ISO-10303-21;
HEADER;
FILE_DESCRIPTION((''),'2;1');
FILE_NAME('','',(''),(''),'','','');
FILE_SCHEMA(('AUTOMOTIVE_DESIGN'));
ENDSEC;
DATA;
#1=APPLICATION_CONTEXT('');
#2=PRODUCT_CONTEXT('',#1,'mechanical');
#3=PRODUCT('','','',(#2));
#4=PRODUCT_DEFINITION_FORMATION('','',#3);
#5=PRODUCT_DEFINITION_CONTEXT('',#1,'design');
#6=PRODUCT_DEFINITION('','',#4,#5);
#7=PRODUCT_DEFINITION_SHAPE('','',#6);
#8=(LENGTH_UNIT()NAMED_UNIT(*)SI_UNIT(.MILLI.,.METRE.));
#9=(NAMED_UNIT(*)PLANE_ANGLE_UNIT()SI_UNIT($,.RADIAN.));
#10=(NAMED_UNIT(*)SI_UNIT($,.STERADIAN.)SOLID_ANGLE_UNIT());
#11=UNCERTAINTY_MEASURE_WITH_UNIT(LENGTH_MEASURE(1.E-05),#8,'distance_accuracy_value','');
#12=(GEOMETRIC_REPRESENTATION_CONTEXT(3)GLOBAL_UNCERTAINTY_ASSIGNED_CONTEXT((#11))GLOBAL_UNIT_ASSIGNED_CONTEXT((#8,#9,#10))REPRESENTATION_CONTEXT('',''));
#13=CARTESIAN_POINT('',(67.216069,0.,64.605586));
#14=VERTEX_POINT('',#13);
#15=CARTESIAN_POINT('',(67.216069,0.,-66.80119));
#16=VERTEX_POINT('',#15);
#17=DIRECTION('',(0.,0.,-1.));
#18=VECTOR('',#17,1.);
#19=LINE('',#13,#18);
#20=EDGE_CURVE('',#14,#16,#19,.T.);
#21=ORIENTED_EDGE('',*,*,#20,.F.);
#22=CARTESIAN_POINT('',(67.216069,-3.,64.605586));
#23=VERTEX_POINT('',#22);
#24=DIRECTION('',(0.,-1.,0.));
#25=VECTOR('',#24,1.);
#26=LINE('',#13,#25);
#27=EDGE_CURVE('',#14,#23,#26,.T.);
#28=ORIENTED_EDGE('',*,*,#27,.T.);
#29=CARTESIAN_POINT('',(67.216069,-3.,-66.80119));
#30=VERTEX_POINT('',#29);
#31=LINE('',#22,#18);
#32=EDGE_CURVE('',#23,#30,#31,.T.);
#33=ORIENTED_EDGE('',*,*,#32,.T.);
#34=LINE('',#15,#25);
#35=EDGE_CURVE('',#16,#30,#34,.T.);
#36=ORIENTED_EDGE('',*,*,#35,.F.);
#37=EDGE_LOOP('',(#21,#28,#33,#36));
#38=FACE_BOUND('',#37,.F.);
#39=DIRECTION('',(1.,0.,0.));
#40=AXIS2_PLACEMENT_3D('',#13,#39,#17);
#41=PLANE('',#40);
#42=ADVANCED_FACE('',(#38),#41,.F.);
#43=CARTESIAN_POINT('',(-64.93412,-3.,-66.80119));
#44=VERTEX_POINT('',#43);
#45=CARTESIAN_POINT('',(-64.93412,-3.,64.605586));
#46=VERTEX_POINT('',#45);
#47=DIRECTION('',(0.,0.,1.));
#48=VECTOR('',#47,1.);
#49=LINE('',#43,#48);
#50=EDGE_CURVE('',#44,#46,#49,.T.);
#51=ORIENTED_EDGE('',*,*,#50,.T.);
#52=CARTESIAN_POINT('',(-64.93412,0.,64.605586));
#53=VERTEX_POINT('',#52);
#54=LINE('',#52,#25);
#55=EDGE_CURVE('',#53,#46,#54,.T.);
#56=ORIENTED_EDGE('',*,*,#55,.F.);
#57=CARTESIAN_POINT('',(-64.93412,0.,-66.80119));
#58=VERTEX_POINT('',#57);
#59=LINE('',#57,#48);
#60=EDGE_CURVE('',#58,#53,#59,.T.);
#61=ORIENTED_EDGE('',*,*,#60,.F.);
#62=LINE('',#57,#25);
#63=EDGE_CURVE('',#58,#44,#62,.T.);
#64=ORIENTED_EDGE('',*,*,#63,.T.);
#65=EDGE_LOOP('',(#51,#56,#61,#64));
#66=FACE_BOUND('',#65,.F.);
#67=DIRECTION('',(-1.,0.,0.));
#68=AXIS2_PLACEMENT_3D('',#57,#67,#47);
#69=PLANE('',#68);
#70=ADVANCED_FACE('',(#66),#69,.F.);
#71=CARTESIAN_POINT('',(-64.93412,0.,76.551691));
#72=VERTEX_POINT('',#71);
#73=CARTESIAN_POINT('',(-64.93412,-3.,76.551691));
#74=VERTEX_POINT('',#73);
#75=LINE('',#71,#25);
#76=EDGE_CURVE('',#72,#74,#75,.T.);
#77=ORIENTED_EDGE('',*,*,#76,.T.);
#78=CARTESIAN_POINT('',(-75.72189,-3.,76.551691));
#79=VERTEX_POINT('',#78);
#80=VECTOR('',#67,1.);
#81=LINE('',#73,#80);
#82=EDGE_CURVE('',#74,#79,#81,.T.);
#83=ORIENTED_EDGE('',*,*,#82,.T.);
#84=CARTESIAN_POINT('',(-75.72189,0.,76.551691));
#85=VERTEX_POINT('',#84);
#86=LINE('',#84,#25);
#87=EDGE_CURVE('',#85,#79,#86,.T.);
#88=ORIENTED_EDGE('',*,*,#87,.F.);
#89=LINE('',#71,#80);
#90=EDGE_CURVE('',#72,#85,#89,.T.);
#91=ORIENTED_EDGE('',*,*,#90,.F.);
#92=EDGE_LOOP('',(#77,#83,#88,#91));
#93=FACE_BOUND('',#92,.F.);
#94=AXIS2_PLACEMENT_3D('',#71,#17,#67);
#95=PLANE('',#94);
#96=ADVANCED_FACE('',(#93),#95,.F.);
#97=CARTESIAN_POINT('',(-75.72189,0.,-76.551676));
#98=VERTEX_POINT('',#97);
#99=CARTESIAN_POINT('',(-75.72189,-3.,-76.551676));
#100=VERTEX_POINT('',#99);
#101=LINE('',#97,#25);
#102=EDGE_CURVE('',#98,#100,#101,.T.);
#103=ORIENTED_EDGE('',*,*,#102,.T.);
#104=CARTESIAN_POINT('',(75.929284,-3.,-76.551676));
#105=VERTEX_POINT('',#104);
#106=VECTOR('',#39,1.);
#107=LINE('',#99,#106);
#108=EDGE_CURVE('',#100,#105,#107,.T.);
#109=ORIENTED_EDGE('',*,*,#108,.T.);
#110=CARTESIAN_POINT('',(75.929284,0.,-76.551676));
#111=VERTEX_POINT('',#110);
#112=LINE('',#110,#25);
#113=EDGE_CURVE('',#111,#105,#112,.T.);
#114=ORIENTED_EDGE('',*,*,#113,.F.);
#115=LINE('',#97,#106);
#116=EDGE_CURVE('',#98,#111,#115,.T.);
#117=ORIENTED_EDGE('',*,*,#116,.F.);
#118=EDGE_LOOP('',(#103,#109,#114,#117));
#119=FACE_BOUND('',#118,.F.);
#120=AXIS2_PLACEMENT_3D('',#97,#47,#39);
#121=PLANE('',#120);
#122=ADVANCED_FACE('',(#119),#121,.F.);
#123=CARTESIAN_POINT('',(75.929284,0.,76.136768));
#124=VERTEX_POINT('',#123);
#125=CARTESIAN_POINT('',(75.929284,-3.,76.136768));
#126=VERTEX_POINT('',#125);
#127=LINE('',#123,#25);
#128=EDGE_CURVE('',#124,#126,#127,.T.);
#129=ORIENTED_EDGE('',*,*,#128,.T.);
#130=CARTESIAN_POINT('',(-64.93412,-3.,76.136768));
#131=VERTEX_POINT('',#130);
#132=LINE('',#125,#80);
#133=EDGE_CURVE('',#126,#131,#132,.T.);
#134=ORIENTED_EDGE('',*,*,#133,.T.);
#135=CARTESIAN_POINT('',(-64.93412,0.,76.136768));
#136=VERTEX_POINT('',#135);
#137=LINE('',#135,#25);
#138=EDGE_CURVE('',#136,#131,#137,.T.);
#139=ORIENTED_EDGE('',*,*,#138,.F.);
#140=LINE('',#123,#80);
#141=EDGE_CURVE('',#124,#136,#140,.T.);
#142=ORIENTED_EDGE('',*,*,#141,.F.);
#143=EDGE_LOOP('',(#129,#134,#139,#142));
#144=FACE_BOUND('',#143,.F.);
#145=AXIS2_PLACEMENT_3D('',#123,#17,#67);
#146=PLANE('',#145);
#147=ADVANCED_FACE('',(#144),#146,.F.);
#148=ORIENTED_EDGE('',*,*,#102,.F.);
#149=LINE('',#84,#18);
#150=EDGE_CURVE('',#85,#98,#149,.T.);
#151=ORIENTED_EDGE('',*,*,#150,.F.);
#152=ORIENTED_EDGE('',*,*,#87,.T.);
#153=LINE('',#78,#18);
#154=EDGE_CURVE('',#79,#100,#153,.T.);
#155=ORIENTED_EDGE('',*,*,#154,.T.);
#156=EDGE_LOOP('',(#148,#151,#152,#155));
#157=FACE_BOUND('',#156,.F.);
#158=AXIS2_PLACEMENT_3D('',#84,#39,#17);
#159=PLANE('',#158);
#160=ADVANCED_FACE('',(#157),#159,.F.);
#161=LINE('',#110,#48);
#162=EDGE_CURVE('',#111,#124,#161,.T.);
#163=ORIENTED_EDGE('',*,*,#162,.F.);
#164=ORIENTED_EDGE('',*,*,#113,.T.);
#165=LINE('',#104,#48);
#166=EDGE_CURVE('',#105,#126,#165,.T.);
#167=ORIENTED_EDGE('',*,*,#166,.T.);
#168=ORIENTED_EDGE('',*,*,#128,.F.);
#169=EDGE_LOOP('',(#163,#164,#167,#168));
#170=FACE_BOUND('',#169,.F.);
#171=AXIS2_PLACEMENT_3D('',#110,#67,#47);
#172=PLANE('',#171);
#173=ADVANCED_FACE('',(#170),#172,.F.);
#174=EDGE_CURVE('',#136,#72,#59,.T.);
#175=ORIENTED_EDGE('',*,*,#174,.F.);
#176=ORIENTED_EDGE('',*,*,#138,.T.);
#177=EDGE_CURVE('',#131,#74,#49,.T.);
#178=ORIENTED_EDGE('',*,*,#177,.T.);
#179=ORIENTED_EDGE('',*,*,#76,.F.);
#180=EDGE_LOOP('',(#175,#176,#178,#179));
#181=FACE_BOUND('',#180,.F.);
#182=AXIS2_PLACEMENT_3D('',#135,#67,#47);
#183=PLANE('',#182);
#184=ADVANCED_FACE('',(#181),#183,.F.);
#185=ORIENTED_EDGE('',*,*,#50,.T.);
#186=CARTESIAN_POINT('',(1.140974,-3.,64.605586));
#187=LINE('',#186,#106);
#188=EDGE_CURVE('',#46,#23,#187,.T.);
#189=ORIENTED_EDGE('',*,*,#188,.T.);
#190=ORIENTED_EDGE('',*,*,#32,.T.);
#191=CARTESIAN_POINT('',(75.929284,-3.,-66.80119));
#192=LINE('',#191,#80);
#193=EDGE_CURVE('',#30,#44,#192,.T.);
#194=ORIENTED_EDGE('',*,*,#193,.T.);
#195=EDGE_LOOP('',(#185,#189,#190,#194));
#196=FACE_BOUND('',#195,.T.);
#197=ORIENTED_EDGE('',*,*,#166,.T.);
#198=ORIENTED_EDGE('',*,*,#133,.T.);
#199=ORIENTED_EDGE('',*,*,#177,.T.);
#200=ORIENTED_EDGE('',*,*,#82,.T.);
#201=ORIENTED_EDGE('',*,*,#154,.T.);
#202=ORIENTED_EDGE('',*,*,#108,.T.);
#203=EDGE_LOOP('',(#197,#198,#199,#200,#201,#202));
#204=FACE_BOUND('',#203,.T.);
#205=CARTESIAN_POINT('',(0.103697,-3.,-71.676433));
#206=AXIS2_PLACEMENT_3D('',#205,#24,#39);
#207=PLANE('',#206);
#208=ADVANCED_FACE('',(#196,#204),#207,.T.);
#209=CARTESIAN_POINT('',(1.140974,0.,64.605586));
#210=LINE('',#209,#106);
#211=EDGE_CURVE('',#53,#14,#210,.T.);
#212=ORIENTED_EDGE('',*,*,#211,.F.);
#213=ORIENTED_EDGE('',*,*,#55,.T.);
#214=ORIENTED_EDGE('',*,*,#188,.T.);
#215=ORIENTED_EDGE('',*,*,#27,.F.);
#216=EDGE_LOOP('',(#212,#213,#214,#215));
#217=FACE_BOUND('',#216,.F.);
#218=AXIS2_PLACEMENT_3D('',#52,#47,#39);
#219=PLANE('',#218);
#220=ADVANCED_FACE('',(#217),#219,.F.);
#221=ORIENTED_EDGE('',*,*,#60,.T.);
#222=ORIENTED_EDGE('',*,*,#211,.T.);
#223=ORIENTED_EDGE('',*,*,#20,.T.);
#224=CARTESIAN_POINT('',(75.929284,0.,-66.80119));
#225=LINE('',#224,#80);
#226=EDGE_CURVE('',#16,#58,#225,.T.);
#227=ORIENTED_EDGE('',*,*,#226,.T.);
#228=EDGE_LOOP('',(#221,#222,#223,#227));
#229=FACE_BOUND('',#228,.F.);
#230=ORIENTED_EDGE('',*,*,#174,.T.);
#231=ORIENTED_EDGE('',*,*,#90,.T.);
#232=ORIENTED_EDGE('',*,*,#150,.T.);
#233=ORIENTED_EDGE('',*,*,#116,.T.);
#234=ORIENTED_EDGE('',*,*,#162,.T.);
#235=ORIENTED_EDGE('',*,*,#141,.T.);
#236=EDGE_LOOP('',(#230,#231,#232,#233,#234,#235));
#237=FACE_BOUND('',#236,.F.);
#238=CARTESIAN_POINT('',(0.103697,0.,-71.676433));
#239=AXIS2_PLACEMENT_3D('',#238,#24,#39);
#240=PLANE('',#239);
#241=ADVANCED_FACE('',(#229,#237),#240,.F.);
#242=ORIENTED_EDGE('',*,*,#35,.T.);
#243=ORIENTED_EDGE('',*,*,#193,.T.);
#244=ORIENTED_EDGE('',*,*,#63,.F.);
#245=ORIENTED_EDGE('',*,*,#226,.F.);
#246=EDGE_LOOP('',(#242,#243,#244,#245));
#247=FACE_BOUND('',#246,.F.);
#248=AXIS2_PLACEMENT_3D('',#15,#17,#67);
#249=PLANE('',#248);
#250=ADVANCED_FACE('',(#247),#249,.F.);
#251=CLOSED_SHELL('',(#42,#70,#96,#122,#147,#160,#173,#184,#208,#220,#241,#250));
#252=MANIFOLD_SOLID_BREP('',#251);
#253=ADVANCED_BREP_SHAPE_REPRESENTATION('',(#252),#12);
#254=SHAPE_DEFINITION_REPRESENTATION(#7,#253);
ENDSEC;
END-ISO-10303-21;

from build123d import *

# Parameters (mm, degrees)
F0_W     = 132.1501880884
F0_H     = 11.5311816335
F1_DEPTH = 3


with BuildPart() as f1:
    # F0 (on Front) → F1 (new body)
    with BuildSketch(Plane.XZ):
        Polygon((-75.7218897343, -66.8011903763), (-75.7218897343, -76.5516757965), (75.9292840958, -76.5516757965), (75.9292840958, -66.8011903763), (67.2160685062, -66.8011903763), (-64.9341195822, -66.8011903763), align=None)
        Polygon((-75.7218897343, 76.5516906977), (-75.7218897343, -66.8011903763), (-64.9341195822, -66.8011903763), (-64.9341195822, 64.6055862308), (-64.9341195822, 76.1367678642), (-64.9341195822, 76.5516906977), align=None)
        with Locations((1.140974462, 70.3711770475)):
            Rectangle(F0_W, F0_H)
        Polygon((67.2160685062, -66.8011903763), (75.9292840958, -66.8011903763), (75.9292840958, 76.1367678642), (67.2160685062, 76.1367678642), (67.2160685062, 64.6055862308), align=None)
    extrude(amount=F1_DEPTH)


solid = f1.part
